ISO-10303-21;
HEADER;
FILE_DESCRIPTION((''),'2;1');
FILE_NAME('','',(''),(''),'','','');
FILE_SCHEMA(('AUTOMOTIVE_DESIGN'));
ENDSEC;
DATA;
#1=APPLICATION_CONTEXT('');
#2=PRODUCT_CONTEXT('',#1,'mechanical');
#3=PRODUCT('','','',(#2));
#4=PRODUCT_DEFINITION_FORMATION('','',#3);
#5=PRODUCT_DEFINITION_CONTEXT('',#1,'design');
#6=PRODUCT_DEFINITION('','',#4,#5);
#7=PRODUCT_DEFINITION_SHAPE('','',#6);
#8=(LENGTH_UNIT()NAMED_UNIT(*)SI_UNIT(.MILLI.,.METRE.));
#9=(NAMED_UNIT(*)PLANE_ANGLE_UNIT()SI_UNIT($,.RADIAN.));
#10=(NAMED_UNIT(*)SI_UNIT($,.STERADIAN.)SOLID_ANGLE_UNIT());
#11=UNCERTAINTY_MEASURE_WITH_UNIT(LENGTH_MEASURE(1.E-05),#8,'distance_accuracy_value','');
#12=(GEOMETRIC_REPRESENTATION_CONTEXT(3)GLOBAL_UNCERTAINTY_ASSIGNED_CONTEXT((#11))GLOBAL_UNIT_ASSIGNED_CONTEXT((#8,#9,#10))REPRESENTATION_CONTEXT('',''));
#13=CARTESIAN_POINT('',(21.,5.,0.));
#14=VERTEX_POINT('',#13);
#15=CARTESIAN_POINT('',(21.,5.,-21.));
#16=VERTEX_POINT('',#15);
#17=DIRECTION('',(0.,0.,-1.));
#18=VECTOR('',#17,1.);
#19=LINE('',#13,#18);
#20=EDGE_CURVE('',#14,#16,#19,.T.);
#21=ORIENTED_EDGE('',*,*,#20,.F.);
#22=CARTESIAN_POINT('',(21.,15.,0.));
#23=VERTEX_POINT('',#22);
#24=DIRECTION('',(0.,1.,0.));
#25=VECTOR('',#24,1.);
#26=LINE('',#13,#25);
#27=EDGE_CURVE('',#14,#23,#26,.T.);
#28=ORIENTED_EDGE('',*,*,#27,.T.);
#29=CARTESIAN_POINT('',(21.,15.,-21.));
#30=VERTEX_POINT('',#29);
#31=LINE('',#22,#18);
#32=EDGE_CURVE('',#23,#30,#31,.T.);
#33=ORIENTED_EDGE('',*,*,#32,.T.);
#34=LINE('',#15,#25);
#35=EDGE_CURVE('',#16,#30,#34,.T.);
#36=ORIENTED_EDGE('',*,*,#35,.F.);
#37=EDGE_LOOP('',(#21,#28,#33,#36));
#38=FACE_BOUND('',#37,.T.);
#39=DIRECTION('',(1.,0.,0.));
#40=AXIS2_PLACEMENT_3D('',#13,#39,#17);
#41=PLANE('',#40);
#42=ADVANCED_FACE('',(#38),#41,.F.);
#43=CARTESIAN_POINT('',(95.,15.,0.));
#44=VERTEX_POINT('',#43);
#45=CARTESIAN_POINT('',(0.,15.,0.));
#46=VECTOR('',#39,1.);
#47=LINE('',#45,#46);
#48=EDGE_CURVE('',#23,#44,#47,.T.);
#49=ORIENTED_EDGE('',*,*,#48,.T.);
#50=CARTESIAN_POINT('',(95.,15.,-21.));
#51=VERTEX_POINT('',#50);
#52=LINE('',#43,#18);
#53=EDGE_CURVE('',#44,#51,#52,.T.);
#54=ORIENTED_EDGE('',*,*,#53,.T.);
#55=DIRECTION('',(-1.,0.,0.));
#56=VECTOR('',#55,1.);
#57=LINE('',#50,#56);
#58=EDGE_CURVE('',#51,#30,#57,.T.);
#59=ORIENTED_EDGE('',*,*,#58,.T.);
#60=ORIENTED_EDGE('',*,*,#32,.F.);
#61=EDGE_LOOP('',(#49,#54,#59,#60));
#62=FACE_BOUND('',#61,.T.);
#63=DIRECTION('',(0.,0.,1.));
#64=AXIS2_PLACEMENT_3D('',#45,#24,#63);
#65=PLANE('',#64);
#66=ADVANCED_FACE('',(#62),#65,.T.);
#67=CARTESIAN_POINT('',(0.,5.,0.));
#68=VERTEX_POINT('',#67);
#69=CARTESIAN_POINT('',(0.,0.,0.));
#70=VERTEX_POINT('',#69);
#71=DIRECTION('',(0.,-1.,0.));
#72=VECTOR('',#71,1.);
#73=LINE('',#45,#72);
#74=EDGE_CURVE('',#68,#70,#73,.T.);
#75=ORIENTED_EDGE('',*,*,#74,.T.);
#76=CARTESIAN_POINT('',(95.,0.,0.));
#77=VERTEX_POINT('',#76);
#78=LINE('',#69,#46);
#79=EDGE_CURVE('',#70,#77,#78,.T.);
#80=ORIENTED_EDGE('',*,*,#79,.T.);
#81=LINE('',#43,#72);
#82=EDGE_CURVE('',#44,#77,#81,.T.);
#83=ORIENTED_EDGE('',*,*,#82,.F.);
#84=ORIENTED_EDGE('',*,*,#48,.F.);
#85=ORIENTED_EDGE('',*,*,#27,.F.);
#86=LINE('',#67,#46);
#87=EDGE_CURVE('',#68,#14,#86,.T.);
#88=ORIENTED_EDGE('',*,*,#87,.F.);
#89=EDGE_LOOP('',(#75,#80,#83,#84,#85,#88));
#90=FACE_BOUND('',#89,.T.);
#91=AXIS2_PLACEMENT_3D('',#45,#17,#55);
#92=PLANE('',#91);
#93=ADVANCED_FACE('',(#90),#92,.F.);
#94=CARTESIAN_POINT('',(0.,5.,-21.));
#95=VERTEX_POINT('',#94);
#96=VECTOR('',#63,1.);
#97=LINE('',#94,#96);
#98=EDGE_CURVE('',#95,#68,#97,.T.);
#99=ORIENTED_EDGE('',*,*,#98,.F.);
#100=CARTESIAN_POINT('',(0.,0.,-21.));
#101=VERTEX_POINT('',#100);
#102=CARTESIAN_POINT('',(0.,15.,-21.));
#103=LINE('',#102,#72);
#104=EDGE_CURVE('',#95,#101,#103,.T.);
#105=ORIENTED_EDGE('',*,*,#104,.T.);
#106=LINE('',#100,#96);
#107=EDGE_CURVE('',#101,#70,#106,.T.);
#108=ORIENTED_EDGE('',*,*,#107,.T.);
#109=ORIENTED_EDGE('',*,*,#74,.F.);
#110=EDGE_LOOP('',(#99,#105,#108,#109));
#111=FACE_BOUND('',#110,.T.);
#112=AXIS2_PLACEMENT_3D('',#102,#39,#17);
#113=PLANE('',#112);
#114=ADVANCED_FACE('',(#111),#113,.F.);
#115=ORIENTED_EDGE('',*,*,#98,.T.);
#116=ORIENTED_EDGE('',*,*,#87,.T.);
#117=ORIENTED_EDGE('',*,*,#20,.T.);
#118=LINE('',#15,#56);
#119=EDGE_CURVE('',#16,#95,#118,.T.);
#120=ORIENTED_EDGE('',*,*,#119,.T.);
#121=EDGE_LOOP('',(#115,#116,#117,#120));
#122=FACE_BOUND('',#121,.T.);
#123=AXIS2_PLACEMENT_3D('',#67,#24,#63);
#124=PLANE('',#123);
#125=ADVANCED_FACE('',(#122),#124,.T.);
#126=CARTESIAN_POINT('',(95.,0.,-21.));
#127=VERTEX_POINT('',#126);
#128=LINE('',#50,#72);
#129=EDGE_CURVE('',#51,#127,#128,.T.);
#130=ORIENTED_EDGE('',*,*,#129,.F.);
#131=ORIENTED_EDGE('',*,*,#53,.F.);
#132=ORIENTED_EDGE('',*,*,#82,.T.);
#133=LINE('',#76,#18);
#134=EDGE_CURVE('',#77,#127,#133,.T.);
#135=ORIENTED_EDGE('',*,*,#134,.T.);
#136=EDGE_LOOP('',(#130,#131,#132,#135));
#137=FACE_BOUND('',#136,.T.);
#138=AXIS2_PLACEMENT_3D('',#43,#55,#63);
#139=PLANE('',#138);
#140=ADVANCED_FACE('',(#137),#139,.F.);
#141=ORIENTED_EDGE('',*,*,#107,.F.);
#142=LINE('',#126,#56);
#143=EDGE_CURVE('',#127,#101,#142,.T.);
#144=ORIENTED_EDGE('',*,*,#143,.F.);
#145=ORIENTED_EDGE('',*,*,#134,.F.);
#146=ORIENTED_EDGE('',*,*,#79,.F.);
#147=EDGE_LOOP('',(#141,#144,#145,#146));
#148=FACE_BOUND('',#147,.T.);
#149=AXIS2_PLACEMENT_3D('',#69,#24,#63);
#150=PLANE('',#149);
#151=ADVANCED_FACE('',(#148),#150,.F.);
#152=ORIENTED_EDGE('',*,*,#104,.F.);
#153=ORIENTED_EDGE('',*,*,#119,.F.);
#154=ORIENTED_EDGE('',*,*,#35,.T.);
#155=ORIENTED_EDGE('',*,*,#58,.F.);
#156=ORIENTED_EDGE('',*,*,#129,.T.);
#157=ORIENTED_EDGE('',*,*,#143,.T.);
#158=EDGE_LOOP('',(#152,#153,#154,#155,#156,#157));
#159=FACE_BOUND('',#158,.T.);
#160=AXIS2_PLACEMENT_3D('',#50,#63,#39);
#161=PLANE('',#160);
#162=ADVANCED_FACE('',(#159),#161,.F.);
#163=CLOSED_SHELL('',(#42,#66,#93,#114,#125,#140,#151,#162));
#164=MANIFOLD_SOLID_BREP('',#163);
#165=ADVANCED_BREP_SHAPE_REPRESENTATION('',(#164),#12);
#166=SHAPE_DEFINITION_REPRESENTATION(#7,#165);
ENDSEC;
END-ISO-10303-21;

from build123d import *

# Parameters (mm, degrees)
SKETCH1_W           = 95
SKETCH1_H           = 21
BOSS_EXTRUDE2_DEPTH = 15
SKETCH3_W           = 21
SKETCH3_H           = 21
CUT_EXTRUDE1_DEPTH  = 10


with BuildPart() as part:
    # Sketch1 → Boss-Extrude2 (new body)
    with BuildSketch(Plane(origin=(0, 0, 0), x_dir=(1, 0, 0), z_dir=(0, 1, 0))):
        with Locations((47.5, 10.5)):
            Rectangle(SKETCH1_W, SKETCH1_H)
    extrude(amount=BOSS_EXTRUDE2_DEPTH)

    # Sketch3 → Cut-Extrude1 (cut)
    with BuildSketch(Plane(origin=(0, 15, 0), x_dir=(1, 0, 0), z_dir=(0, 1, 0))):
        with Locations((10.5, 10.5)):
            Rectangle(SKETCH3_W, SKETCH3_H)
    extrude(amount=-CUT_EXTRUDE1_DEPTH, mode=Mode.SUBTRACT)


solid = part.part
